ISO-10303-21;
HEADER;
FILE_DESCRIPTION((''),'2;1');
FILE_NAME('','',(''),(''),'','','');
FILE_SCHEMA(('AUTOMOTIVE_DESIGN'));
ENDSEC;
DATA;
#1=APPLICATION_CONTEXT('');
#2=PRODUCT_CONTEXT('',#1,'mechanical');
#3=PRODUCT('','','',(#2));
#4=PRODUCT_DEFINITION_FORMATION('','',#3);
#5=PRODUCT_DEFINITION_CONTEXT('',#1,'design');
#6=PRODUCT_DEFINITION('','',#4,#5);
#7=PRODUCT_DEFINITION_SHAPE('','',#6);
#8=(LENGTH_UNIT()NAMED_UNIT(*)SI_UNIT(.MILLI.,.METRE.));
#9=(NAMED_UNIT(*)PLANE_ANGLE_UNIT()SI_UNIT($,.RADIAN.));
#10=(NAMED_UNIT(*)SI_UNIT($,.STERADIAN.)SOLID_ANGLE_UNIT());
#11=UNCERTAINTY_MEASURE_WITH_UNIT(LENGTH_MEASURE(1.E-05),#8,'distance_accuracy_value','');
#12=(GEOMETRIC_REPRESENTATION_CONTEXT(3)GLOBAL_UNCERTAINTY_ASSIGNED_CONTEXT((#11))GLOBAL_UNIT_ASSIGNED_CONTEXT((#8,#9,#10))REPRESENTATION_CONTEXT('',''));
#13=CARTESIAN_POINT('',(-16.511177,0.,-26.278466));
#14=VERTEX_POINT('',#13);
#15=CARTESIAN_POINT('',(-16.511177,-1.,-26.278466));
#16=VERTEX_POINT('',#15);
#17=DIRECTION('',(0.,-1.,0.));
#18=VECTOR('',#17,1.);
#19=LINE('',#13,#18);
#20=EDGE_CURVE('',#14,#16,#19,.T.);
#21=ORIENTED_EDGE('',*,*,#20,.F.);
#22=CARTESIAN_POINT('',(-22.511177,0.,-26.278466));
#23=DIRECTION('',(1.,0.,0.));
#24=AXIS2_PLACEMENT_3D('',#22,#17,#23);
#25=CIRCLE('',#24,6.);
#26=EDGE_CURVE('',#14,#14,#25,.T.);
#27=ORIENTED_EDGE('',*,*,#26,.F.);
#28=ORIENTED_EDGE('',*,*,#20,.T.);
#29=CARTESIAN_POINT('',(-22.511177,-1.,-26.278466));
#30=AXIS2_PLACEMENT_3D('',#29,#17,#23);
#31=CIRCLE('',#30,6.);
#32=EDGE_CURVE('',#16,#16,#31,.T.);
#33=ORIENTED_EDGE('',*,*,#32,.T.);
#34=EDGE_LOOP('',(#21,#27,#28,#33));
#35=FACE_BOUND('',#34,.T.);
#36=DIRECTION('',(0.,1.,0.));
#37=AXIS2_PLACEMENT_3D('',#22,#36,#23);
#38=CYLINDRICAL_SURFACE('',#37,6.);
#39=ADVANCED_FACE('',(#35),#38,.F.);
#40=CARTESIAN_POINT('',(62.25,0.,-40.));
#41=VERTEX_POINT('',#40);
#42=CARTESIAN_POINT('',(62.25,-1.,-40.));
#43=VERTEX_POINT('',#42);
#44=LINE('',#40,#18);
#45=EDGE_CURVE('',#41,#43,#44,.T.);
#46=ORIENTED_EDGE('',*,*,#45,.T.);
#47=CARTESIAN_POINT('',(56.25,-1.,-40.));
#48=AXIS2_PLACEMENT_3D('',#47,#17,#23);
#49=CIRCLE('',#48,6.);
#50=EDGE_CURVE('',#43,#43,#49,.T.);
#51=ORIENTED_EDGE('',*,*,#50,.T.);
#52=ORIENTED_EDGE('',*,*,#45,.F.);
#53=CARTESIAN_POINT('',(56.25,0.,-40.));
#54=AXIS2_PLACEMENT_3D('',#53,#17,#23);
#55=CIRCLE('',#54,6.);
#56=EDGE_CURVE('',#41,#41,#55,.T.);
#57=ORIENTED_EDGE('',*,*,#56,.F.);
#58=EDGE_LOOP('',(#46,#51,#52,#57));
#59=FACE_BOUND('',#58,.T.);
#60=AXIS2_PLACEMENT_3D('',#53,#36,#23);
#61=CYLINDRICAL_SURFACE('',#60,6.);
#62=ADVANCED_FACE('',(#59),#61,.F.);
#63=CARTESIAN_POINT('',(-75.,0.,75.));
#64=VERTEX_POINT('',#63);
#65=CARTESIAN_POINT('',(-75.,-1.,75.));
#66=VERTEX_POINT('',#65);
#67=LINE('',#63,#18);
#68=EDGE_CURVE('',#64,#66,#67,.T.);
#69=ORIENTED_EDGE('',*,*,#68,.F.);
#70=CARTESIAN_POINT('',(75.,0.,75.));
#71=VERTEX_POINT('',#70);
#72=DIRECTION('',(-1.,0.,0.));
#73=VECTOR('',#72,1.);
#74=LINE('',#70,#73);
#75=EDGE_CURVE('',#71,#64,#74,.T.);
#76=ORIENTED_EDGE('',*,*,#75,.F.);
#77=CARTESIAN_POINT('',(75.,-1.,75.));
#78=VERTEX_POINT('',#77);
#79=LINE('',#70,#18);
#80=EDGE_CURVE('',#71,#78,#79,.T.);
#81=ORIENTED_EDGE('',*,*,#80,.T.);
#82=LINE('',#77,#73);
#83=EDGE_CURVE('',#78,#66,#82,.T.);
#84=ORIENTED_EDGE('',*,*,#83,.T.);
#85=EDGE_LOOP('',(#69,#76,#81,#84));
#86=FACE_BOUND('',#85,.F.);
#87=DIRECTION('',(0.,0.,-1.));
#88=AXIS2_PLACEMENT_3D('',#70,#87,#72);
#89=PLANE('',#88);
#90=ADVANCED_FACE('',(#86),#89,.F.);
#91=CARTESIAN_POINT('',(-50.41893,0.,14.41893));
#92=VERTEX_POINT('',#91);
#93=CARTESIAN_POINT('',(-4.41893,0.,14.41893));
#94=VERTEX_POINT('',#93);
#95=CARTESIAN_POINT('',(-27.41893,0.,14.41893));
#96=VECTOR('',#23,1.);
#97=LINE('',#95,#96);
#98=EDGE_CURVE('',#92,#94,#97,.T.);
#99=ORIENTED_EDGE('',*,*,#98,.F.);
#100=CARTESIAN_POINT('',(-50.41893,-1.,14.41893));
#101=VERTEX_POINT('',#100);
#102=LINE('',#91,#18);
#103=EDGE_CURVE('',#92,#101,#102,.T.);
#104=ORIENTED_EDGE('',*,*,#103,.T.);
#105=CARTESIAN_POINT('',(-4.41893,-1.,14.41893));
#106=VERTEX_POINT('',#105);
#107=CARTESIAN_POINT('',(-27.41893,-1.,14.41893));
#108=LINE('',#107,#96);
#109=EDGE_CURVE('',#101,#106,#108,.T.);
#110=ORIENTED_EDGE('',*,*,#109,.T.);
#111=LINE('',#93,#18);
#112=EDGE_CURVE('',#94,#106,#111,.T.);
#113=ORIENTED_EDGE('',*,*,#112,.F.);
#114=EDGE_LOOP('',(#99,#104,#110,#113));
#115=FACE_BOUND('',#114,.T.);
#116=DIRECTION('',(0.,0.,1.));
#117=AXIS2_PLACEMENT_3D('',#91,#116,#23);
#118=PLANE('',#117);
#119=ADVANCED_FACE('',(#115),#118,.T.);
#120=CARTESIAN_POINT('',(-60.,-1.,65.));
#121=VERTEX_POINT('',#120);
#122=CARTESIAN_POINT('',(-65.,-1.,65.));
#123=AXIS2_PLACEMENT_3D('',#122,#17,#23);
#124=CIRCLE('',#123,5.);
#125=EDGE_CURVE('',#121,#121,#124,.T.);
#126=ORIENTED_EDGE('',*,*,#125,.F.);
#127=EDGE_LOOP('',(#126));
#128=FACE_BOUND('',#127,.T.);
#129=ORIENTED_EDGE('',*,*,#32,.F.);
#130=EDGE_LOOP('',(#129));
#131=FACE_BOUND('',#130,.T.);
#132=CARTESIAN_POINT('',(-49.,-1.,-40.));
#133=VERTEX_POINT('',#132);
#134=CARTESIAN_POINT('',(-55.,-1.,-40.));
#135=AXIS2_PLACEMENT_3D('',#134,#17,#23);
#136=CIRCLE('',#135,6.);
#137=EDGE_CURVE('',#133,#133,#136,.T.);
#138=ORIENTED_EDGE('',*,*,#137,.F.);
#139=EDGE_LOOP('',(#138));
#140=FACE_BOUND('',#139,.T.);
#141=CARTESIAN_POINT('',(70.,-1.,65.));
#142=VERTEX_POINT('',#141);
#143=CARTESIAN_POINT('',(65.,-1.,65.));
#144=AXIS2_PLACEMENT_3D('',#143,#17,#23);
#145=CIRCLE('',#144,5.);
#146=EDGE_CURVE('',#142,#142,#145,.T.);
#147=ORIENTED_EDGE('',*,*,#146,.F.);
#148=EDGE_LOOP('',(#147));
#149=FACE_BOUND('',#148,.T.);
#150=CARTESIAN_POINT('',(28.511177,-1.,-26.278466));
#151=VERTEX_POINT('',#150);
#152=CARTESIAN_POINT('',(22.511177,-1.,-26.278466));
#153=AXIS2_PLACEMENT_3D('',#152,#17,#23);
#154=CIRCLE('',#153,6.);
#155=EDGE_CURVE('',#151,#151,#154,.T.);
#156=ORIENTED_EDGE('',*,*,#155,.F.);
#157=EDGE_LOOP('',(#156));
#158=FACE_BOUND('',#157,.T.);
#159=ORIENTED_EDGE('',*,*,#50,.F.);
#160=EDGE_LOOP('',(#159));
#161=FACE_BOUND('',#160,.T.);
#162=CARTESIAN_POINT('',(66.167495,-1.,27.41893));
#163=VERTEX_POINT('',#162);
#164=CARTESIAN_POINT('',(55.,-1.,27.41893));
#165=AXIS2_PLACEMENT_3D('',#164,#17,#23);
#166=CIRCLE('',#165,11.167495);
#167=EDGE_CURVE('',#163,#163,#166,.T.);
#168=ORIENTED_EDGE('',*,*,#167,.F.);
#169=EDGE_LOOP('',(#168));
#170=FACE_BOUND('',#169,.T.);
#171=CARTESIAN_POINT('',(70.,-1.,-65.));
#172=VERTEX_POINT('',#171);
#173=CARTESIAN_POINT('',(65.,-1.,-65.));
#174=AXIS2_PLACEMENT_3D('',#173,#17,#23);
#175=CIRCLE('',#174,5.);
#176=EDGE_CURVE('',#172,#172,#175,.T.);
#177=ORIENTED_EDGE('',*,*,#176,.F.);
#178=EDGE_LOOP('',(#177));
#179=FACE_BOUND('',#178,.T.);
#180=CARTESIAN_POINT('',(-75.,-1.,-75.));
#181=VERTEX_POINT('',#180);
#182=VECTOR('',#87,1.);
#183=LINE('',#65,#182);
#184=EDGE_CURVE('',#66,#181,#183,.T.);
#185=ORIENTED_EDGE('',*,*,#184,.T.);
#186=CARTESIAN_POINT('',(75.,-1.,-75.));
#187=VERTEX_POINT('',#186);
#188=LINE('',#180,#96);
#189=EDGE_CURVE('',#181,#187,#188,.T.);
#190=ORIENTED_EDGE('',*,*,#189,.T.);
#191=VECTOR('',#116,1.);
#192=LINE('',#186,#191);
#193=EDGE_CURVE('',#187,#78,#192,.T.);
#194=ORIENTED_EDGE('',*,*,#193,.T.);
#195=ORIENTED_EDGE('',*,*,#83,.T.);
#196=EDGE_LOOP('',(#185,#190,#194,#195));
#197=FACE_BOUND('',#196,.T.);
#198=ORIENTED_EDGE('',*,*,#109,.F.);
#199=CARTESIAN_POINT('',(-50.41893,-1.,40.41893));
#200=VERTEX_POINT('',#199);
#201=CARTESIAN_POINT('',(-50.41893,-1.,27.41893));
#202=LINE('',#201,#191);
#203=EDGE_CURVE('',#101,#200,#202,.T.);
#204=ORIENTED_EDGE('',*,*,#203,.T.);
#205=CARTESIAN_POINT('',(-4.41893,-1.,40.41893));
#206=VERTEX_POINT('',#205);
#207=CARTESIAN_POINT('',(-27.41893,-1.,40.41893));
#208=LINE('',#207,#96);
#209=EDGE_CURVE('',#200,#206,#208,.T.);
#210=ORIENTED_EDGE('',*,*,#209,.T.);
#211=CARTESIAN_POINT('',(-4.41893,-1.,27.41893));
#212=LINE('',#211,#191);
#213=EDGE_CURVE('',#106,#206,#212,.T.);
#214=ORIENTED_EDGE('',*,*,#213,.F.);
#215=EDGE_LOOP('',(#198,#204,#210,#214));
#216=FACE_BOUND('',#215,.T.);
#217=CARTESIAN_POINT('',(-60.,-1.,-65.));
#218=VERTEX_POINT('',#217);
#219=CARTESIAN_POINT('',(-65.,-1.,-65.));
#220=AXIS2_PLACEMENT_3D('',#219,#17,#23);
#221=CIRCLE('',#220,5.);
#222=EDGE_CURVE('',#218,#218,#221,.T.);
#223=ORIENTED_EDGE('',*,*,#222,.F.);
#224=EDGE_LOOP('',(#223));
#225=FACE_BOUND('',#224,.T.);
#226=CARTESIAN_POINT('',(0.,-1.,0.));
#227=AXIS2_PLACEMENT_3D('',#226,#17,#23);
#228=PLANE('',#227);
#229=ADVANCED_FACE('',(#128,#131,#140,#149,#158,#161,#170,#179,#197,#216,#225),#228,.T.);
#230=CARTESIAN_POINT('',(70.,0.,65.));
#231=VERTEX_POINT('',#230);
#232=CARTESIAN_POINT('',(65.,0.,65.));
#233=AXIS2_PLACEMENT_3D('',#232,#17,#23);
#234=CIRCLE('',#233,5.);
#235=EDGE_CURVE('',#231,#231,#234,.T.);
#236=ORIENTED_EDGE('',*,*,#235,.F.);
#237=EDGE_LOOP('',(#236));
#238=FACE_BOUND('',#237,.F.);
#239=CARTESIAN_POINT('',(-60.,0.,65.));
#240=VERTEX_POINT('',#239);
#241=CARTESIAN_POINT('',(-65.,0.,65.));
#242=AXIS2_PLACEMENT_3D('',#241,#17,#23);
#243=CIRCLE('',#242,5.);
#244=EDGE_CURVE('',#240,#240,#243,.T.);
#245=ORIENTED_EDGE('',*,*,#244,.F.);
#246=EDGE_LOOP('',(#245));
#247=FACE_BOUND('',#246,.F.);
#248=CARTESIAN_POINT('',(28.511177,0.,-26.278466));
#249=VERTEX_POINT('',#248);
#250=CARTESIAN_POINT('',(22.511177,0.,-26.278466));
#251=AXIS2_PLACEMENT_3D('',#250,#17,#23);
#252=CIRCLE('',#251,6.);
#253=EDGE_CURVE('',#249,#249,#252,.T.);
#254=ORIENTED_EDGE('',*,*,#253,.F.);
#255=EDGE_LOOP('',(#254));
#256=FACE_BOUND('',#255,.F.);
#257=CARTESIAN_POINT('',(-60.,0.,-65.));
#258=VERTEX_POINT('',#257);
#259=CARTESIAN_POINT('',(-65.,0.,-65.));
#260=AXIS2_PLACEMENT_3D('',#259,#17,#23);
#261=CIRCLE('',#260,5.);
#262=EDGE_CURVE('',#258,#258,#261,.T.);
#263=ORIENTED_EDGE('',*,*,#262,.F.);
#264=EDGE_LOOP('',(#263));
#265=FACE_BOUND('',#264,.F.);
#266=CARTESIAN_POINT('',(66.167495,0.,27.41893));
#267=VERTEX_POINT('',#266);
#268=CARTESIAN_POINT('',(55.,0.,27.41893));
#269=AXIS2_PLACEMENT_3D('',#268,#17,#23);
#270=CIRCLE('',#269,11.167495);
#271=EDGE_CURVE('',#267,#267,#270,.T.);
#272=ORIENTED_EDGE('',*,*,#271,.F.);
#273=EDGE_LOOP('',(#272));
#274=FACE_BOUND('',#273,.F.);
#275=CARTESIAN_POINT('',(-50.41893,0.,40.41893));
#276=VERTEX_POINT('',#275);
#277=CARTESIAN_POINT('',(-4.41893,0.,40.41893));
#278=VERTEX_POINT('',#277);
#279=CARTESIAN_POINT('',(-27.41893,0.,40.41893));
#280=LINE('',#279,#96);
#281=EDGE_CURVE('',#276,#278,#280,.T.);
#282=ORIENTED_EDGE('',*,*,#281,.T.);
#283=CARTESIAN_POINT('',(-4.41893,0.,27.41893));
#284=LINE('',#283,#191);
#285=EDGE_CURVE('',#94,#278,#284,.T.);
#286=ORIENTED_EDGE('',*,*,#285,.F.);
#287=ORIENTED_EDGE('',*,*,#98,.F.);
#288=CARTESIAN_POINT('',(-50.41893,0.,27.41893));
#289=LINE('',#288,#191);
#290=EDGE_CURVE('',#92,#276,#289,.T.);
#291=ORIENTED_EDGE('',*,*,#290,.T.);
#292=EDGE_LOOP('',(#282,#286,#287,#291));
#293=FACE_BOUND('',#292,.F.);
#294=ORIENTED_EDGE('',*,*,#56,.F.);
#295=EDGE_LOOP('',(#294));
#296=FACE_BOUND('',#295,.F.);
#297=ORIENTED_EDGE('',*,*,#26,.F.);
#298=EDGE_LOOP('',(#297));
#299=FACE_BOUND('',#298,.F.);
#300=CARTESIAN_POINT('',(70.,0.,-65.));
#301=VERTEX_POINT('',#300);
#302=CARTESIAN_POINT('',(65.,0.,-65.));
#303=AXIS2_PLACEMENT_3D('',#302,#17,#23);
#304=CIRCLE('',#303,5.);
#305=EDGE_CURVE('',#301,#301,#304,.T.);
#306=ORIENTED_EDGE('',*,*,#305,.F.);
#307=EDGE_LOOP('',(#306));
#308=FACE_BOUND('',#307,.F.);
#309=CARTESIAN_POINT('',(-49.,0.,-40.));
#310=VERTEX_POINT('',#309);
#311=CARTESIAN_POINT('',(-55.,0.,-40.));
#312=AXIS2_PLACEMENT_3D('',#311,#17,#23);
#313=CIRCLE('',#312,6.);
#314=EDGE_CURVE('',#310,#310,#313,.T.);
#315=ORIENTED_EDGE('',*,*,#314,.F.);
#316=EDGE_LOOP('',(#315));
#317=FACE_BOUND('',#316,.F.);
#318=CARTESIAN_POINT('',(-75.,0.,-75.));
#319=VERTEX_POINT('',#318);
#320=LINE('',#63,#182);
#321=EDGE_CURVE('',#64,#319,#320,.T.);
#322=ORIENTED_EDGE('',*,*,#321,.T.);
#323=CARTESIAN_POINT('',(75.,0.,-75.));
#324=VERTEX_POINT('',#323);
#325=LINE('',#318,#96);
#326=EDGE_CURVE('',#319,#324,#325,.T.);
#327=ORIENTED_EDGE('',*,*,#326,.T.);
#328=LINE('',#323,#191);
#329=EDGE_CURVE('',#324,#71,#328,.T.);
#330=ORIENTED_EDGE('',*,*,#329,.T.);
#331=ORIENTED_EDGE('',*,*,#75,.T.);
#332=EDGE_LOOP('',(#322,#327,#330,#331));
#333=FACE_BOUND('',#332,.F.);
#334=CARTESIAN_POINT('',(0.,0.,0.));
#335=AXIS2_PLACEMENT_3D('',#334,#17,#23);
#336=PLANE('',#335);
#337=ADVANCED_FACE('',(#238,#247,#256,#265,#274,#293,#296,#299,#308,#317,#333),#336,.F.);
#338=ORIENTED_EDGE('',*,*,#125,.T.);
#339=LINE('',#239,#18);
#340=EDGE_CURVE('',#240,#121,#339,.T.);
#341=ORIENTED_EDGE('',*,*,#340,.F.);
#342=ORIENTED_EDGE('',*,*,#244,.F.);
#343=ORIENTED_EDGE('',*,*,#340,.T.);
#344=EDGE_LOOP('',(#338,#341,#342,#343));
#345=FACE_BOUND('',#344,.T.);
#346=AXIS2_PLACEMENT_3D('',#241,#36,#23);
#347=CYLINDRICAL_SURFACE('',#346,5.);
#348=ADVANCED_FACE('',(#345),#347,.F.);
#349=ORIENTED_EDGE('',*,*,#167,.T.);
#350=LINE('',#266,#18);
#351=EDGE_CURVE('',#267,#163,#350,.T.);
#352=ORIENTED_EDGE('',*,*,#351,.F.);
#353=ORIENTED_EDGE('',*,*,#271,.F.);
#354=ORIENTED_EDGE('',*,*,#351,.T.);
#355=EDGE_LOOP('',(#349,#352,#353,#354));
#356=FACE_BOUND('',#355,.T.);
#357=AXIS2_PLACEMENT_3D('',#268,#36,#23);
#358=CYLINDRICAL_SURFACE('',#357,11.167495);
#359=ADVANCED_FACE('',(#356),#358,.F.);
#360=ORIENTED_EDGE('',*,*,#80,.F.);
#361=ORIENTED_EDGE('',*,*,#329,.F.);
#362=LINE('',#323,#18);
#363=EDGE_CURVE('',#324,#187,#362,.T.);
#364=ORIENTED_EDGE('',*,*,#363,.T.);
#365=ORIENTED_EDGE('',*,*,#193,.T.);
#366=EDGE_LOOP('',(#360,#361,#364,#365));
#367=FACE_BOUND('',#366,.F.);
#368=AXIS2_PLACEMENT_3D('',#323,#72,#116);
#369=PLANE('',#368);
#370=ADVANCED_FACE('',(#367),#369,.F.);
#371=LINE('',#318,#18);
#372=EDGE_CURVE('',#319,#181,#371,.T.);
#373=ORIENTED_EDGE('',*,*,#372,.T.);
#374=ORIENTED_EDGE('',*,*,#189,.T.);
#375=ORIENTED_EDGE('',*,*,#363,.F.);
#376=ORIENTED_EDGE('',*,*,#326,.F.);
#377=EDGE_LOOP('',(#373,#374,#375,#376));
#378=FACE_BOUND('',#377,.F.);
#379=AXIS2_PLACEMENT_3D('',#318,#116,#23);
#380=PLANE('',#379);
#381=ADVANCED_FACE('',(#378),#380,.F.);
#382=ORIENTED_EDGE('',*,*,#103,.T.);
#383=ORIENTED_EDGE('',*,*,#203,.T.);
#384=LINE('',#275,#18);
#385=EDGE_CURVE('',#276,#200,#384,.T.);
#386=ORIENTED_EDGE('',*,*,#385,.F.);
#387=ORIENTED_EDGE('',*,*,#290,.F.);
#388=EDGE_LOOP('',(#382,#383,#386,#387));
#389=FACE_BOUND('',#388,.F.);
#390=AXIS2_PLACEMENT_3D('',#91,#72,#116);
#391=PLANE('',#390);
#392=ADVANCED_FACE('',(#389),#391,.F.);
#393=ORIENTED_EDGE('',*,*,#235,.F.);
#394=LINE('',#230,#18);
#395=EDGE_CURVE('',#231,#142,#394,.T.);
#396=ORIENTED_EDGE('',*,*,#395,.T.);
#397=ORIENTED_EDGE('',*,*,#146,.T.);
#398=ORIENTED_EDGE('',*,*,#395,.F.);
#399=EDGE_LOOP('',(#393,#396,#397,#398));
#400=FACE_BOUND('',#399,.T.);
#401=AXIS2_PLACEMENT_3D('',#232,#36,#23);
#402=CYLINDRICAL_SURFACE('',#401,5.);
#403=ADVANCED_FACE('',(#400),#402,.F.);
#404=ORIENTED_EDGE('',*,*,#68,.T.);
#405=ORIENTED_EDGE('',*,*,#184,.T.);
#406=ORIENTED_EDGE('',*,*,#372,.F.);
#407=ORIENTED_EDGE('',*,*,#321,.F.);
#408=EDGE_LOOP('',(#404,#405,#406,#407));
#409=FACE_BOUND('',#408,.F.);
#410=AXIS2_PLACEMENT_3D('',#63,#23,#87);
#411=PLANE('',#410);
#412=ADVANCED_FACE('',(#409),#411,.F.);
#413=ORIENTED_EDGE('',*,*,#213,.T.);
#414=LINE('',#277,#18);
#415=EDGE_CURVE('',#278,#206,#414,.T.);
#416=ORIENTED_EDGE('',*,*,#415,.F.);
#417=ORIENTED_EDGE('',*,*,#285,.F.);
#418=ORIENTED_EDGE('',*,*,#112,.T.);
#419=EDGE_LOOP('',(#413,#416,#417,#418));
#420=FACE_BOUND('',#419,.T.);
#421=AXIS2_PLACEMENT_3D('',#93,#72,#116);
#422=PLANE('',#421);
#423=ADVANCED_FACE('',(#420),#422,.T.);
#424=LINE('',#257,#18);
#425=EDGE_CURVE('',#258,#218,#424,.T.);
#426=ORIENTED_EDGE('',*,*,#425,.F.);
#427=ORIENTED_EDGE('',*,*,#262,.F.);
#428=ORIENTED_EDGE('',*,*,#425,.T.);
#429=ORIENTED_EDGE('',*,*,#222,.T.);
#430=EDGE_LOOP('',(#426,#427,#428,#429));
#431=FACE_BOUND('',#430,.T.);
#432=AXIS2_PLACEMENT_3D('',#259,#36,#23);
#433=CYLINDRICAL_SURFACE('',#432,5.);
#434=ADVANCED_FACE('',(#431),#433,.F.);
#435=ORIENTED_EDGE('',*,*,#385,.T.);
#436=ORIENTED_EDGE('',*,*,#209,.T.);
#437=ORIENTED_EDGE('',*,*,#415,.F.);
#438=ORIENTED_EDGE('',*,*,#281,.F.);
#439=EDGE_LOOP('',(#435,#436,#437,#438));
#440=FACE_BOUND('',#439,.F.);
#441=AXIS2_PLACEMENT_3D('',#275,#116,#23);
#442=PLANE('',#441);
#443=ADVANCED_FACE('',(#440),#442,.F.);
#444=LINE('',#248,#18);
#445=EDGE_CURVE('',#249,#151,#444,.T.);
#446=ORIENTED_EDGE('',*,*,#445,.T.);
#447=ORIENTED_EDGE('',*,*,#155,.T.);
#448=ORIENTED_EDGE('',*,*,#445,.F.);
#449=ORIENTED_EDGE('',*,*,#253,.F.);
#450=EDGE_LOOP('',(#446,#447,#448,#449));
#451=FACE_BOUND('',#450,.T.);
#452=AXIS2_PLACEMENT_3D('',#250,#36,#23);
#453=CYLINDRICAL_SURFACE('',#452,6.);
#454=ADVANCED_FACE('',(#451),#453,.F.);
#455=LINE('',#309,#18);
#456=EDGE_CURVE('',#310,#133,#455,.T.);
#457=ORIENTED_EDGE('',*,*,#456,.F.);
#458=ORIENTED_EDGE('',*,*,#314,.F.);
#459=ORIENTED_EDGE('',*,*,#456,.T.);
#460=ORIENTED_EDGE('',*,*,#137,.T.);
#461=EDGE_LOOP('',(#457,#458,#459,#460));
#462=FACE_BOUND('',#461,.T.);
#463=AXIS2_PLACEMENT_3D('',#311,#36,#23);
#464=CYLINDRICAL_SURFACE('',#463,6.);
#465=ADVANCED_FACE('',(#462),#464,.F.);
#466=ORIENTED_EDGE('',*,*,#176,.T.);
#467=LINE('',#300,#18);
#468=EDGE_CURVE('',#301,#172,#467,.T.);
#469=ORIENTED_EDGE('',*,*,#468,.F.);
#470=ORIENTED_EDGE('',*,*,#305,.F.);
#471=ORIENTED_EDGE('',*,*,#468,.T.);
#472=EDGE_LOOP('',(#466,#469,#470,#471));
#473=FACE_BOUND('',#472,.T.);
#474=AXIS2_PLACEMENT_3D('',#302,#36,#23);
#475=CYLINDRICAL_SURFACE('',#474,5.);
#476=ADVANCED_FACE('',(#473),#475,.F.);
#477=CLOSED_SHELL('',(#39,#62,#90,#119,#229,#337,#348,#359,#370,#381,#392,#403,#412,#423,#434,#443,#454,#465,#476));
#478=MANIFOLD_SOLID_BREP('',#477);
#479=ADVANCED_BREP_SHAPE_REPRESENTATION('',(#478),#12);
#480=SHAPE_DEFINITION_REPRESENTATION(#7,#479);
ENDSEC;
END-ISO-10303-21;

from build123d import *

# Parameters (mm, degrees)
F0_R     = 5
F0_R_2   = 6
F0_W     = 46
F0_H     = 26
F0_R_3   = 11.167495
F1_DEPTH = 1


with BuildPart() as f1:
    # F0 (on Front) → F1 (new body)
    with BuildSketch(Plane.XZ):
        Polygon((75, -75), (75, 75), (-75, 75), (-75, 15), (-75, 0), (-75, -75), align=None)
        with Locations((-65, -65)):
            Circle(F0_R, mode=Mode.SUBTRACT)
        with Locations((-55, -40)):
            Circle(F0_R_2, mode=Mode.SUBTRACT)
        with Locations((-22.511177, -26.278466)):
            Circle(F0_R_2, mode=Mode.SUBTRACT)
        with Locations((65, -65)):
            Circle(F0_R, mode=Mode.SUBTRACT)
        with Locations((56.25, -40)):
            Circle(F0_R_2, mode=Mode.SUBTRACT)
        with Locations((22.511177, -26.278466)):
            Circle(F0_R_2, mode=Mode.SUBTRACT)
        with Locations((-27.41893, 27.41893)):
            Rectangle(F0_W, F0_H, mode=Mode.SUBTRACT)
        with Locations((-65, 65)):
            Circle(F0_R, mode=Mode.SUBTRACT)
        with Locations((55, 27.41893)):
            Circle(F0_R_3, mode=Mode.SUBTRACT)
        with Locations((65, 65)):
            Circle(F0_R, mode=Mode.SUBTRACT)
    extrude(amount=F1_DEPTH)


solid = f1.part
